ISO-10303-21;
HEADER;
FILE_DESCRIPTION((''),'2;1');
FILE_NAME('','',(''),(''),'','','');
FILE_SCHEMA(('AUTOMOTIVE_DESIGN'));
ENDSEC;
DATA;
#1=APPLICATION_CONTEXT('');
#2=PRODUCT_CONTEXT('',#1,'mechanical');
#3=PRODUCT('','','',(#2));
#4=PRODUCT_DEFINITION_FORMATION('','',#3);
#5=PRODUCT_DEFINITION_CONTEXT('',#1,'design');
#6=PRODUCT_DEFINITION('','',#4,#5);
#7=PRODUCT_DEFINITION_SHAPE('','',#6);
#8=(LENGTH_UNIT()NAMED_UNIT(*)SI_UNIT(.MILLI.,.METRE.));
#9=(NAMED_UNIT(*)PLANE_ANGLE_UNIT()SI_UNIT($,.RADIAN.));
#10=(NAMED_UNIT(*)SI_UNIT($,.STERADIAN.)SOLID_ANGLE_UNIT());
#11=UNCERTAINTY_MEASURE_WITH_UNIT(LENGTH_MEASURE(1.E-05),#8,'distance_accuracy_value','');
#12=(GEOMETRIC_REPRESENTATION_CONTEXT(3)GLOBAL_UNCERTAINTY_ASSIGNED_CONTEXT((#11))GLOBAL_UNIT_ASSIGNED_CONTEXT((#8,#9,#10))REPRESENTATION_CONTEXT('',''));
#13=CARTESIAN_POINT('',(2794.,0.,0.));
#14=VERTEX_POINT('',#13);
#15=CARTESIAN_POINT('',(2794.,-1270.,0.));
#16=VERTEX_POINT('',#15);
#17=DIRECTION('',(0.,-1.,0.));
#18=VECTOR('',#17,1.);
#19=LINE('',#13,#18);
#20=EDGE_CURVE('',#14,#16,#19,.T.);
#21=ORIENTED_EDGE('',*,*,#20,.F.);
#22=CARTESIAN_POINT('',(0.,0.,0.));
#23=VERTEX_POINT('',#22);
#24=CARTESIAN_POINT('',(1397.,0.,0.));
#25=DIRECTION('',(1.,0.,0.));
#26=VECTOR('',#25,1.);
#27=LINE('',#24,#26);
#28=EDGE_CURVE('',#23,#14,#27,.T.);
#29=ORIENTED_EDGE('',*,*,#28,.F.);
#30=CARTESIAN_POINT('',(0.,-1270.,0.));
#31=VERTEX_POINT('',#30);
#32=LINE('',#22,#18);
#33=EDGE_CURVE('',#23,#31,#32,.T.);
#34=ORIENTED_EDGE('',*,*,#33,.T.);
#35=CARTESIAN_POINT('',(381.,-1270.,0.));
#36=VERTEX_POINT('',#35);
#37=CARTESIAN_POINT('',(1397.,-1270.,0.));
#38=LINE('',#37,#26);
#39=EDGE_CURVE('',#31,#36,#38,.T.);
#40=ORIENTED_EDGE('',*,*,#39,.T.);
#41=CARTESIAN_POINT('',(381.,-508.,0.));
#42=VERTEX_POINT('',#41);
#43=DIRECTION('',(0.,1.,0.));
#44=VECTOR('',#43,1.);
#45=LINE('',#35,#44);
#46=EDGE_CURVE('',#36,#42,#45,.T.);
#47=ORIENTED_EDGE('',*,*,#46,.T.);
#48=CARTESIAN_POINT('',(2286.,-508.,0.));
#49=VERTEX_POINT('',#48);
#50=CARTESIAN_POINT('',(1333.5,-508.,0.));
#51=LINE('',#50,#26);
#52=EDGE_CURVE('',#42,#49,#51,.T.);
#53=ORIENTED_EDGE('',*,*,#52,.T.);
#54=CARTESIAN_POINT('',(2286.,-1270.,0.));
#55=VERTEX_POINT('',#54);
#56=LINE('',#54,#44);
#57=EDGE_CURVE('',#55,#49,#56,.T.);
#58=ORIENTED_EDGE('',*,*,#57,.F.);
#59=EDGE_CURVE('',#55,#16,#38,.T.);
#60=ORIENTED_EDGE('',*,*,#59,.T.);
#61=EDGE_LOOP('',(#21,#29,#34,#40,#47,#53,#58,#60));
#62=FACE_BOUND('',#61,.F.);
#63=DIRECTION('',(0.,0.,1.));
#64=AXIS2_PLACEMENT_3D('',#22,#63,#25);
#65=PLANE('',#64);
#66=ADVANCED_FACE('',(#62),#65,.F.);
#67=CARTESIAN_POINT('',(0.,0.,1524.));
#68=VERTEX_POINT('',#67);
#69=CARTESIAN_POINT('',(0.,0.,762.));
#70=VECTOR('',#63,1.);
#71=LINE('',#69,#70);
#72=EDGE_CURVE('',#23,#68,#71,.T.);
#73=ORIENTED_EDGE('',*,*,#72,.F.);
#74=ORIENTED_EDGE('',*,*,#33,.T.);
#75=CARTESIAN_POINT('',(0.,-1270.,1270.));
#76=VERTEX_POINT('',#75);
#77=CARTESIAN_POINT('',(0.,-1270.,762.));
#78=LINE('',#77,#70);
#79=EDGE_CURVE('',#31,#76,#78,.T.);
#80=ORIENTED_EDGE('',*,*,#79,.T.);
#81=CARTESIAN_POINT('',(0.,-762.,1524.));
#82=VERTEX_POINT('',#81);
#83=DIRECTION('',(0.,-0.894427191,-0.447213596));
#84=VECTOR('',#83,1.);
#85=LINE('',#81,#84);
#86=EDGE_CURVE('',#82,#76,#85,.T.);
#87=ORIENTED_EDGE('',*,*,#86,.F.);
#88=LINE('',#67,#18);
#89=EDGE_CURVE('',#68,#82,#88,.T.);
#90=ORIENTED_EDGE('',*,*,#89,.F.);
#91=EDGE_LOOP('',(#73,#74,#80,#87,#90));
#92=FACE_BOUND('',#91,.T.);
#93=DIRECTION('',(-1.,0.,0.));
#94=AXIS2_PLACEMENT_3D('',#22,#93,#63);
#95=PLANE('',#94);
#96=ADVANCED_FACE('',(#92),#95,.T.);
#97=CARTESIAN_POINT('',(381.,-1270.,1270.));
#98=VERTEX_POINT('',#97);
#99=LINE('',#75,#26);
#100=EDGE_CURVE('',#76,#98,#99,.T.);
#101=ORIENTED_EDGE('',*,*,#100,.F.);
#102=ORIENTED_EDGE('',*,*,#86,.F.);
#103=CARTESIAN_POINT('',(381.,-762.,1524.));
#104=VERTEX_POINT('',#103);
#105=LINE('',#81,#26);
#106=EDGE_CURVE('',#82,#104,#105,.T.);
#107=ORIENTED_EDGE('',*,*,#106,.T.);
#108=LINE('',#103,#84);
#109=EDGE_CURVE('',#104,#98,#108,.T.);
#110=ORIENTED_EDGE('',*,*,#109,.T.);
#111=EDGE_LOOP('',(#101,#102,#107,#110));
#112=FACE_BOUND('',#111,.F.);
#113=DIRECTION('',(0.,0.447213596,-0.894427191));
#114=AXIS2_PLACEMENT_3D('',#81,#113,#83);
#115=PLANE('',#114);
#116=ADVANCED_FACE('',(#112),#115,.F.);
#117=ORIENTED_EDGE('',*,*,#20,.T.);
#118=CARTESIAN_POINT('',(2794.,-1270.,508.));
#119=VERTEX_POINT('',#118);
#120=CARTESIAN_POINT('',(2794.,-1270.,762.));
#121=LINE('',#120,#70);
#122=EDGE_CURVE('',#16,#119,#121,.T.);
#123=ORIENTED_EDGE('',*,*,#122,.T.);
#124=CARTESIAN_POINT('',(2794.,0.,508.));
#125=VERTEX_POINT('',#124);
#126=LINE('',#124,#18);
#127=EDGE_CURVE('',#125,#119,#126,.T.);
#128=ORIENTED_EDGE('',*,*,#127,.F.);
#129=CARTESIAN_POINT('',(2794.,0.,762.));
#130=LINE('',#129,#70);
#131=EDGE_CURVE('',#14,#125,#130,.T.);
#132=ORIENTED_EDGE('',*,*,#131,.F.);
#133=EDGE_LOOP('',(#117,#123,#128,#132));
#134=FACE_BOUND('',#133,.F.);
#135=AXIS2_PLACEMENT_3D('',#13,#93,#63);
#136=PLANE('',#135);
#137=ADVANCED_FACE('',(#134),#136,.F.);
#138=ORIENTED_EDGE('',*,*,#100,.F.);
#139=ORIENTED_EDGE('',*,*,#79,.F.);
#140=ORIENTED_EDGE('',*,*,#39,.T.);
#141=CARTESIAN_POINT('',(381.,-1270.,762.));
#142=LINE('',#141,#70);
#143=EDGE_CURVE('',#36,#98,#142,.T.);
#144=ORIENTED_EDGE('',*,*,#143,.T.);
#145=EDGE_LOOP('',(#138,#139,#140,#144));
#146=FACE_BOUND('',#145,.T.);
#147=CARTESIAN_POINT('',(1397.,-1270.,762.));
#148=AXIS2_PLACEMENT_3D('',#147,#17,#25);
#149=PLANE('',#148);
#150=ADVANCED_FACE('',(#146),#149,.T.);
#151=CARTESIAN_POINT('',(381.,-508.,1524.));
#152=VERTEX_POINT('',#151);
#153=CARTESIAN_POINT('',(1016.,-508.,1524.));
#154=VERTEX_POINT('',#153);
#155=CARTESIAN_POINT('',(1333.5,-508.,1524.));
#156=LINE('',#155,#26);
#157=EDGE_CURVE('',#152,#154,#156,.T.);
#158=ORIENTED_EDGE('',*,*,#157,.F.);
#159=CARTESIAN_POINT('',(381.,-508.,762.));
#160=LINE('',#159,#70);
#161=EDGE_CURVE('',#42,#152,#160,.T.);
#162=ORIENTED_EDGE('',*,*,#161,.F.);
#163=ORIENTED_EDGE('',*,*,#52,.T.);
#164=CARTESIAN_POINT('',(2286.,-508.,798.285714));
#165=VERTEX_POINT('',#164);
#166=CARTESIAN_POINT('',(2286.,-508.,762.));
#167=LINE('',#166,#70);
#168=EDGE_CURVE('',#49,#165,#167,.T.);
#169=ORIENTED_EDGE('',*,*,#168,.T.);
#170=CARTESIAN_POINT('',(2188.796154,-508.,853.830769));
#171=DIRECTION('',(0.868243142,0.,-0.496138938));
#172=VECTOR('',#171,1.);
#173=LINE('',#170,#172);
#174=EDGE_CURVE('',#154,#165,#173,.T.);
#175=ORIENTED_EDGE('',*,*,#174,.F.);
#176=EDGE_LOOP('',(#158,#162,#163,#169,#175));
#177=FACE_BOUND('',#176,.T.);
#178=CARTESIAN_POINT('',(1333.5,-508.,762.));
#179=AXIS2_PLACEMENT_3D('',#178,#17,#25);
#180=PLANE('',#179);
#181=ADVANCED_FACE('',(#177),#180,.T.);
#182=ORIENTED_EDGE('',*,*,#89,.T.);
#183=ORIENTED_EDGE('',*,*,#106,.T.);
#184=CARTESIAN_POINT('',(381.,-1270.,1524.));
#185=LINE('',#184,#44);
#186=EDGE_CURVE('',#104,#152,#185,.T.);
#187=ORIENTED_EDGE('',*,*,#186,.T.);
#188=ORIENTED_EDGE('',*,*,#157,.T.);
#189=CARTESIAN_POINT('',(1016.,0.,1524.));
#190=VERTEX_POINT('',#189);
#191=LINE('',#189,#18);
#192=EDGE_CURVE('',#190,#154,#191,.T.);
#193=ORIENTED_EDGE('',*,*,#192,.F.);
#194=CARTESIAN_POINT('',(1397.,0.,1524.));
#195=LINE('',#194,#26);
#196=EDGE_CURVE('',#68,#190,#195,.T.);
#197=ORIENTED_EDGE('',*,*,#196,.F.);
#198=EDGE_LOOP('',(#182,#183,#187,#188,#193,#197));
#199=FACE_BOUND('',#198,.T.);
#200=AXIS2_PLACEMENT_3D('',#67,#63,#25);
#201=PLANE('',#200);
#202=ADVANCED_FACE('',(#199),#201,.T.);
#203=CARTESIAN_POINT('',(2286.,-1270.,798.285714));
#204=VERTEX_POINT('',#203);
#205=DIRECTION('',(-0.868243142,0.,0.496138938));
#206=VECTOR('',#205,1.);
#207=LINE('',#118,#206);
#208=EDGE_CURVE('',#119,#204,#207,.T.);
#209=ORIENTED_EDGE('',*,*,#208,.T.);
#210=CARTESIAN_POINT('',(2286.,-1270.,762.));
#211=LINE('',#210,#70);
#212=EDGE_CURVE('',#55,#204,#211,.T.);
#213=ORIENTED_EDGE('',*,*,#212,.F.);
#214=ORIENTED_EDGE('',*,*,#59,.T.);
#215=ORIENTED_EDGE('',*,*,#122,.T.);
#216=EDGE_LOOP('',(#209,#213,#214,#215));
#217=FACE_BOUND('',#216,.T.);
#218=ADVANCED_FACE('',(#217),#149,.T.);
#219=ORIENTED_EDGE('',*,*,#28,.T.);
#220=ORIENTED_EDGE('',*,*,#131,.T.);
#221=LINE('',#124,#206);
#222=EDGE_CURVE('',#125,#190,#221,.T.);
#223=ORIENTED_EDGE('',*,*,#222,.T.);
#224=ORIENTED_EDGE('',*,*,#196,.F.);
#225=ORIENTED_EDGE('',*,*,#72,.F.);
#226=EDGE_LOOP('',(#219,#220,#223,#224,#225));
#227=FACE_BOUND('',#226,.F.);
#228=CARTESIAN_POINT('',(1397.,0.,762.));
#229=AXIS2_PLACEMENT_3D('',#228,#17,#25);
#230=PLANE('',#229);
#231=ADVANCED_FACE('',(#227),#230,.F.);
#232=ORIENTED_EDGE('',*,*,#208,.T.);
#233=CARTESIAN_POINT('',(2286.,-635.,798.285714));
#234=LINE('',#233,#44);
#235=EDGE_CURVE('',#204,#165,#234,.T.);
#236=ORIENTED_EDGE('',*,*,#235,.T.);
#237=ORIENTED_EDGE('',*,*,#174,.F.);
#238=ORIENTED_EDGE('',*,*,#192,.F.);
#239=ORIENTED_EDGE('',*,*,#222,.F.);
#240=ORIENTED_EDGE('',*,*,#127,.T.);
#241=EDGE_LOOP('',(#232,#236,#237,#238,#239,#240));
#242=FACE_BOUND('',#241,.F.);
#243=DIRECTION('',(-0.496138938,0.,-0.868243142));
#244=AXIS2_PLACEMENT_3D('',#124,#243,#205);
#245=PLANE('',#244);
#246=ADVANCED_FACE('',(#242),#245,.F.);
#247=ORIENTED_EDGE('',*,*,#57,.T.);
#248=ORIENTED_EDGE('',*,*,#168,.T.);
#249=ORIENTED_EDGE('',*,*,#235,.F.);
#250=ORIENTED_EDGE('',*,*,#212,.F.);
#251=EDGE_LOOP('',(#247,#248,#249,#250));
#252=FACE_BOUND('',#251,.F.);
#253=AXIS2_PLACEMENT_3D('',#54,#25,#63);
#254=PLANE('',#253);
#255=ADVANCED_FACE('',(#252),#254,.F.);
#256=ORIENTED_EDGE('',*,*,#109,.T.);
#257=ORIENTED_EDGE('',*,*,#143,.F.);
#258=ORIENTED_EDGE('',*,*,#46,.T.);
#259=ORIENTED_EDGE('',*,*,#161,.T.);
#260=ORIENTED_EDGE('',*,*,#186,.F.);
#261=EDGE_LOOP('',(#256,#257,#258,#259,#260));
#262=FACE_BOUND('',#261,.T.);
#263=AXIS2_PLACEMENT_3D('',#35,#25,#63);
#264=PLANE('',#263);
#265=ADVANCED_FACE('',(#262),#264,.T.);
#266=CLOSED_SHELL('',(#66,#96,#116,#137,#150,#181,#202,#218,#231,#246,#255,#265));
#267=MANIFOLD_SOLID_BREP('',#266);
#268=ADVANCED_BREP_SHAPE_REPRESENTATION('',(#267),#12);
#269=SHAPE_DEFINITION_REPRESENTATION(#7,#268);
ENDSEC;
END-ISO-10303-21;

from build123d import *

# Parameters (mm, degrees)
F0_W     = 2794
F0_H     = 1524
F1_DEPTH = 1270
F2_W     = 1905
F2_H     = 1524
F3_DEPTH = 762
F5_DEPTH = 381
F7_DEPTH = 1270


with BuildPart() as f1:
    # F0 (on Front) → F1 (new body)
    with BuildSketch(Plane.XZ):
        with Locations((1397, 762)):
            Rectangle(F0_W, F0_H)
    extrude(amount=F1_DEPTH)

    # F2 (on face) → F3 (cut)
    with BuildSketch(Plane.XZ.offset(1270)):
        with Locations((1333.5, 762)):
            Rectangle(F2_W, F2_H)
    extrude(amount=-F3_DEPTH, mode=Mode.SUBTRACT)

    # F4 (on face) → F5 (cut)
    with BuildSketch(Plane(origin=(0, 0, 0), x_dir=(0, -1, 0), z_dir=(-1, 0, 0))):
        Polygon((1270, 1524), (762, 1524), (1270, 1270), align=None)
    extrude(amount=-F5_DEPTH, mode=Mode.SUBTRACT)

    # F6 (on face) → F7 (cut)
    with BuildSketch(Plane(origin=(0, 0, 0), x_dir=(-1, 0, 0), z_dir=(0, 1, 0))):
        Polygon((-2794, 508), (-1016, 1524), (-2794, 1524), align=None)
    extrude(amount=-F7_DEPTH, mode=Mode.SUBTRACT)


solid = f1.part
